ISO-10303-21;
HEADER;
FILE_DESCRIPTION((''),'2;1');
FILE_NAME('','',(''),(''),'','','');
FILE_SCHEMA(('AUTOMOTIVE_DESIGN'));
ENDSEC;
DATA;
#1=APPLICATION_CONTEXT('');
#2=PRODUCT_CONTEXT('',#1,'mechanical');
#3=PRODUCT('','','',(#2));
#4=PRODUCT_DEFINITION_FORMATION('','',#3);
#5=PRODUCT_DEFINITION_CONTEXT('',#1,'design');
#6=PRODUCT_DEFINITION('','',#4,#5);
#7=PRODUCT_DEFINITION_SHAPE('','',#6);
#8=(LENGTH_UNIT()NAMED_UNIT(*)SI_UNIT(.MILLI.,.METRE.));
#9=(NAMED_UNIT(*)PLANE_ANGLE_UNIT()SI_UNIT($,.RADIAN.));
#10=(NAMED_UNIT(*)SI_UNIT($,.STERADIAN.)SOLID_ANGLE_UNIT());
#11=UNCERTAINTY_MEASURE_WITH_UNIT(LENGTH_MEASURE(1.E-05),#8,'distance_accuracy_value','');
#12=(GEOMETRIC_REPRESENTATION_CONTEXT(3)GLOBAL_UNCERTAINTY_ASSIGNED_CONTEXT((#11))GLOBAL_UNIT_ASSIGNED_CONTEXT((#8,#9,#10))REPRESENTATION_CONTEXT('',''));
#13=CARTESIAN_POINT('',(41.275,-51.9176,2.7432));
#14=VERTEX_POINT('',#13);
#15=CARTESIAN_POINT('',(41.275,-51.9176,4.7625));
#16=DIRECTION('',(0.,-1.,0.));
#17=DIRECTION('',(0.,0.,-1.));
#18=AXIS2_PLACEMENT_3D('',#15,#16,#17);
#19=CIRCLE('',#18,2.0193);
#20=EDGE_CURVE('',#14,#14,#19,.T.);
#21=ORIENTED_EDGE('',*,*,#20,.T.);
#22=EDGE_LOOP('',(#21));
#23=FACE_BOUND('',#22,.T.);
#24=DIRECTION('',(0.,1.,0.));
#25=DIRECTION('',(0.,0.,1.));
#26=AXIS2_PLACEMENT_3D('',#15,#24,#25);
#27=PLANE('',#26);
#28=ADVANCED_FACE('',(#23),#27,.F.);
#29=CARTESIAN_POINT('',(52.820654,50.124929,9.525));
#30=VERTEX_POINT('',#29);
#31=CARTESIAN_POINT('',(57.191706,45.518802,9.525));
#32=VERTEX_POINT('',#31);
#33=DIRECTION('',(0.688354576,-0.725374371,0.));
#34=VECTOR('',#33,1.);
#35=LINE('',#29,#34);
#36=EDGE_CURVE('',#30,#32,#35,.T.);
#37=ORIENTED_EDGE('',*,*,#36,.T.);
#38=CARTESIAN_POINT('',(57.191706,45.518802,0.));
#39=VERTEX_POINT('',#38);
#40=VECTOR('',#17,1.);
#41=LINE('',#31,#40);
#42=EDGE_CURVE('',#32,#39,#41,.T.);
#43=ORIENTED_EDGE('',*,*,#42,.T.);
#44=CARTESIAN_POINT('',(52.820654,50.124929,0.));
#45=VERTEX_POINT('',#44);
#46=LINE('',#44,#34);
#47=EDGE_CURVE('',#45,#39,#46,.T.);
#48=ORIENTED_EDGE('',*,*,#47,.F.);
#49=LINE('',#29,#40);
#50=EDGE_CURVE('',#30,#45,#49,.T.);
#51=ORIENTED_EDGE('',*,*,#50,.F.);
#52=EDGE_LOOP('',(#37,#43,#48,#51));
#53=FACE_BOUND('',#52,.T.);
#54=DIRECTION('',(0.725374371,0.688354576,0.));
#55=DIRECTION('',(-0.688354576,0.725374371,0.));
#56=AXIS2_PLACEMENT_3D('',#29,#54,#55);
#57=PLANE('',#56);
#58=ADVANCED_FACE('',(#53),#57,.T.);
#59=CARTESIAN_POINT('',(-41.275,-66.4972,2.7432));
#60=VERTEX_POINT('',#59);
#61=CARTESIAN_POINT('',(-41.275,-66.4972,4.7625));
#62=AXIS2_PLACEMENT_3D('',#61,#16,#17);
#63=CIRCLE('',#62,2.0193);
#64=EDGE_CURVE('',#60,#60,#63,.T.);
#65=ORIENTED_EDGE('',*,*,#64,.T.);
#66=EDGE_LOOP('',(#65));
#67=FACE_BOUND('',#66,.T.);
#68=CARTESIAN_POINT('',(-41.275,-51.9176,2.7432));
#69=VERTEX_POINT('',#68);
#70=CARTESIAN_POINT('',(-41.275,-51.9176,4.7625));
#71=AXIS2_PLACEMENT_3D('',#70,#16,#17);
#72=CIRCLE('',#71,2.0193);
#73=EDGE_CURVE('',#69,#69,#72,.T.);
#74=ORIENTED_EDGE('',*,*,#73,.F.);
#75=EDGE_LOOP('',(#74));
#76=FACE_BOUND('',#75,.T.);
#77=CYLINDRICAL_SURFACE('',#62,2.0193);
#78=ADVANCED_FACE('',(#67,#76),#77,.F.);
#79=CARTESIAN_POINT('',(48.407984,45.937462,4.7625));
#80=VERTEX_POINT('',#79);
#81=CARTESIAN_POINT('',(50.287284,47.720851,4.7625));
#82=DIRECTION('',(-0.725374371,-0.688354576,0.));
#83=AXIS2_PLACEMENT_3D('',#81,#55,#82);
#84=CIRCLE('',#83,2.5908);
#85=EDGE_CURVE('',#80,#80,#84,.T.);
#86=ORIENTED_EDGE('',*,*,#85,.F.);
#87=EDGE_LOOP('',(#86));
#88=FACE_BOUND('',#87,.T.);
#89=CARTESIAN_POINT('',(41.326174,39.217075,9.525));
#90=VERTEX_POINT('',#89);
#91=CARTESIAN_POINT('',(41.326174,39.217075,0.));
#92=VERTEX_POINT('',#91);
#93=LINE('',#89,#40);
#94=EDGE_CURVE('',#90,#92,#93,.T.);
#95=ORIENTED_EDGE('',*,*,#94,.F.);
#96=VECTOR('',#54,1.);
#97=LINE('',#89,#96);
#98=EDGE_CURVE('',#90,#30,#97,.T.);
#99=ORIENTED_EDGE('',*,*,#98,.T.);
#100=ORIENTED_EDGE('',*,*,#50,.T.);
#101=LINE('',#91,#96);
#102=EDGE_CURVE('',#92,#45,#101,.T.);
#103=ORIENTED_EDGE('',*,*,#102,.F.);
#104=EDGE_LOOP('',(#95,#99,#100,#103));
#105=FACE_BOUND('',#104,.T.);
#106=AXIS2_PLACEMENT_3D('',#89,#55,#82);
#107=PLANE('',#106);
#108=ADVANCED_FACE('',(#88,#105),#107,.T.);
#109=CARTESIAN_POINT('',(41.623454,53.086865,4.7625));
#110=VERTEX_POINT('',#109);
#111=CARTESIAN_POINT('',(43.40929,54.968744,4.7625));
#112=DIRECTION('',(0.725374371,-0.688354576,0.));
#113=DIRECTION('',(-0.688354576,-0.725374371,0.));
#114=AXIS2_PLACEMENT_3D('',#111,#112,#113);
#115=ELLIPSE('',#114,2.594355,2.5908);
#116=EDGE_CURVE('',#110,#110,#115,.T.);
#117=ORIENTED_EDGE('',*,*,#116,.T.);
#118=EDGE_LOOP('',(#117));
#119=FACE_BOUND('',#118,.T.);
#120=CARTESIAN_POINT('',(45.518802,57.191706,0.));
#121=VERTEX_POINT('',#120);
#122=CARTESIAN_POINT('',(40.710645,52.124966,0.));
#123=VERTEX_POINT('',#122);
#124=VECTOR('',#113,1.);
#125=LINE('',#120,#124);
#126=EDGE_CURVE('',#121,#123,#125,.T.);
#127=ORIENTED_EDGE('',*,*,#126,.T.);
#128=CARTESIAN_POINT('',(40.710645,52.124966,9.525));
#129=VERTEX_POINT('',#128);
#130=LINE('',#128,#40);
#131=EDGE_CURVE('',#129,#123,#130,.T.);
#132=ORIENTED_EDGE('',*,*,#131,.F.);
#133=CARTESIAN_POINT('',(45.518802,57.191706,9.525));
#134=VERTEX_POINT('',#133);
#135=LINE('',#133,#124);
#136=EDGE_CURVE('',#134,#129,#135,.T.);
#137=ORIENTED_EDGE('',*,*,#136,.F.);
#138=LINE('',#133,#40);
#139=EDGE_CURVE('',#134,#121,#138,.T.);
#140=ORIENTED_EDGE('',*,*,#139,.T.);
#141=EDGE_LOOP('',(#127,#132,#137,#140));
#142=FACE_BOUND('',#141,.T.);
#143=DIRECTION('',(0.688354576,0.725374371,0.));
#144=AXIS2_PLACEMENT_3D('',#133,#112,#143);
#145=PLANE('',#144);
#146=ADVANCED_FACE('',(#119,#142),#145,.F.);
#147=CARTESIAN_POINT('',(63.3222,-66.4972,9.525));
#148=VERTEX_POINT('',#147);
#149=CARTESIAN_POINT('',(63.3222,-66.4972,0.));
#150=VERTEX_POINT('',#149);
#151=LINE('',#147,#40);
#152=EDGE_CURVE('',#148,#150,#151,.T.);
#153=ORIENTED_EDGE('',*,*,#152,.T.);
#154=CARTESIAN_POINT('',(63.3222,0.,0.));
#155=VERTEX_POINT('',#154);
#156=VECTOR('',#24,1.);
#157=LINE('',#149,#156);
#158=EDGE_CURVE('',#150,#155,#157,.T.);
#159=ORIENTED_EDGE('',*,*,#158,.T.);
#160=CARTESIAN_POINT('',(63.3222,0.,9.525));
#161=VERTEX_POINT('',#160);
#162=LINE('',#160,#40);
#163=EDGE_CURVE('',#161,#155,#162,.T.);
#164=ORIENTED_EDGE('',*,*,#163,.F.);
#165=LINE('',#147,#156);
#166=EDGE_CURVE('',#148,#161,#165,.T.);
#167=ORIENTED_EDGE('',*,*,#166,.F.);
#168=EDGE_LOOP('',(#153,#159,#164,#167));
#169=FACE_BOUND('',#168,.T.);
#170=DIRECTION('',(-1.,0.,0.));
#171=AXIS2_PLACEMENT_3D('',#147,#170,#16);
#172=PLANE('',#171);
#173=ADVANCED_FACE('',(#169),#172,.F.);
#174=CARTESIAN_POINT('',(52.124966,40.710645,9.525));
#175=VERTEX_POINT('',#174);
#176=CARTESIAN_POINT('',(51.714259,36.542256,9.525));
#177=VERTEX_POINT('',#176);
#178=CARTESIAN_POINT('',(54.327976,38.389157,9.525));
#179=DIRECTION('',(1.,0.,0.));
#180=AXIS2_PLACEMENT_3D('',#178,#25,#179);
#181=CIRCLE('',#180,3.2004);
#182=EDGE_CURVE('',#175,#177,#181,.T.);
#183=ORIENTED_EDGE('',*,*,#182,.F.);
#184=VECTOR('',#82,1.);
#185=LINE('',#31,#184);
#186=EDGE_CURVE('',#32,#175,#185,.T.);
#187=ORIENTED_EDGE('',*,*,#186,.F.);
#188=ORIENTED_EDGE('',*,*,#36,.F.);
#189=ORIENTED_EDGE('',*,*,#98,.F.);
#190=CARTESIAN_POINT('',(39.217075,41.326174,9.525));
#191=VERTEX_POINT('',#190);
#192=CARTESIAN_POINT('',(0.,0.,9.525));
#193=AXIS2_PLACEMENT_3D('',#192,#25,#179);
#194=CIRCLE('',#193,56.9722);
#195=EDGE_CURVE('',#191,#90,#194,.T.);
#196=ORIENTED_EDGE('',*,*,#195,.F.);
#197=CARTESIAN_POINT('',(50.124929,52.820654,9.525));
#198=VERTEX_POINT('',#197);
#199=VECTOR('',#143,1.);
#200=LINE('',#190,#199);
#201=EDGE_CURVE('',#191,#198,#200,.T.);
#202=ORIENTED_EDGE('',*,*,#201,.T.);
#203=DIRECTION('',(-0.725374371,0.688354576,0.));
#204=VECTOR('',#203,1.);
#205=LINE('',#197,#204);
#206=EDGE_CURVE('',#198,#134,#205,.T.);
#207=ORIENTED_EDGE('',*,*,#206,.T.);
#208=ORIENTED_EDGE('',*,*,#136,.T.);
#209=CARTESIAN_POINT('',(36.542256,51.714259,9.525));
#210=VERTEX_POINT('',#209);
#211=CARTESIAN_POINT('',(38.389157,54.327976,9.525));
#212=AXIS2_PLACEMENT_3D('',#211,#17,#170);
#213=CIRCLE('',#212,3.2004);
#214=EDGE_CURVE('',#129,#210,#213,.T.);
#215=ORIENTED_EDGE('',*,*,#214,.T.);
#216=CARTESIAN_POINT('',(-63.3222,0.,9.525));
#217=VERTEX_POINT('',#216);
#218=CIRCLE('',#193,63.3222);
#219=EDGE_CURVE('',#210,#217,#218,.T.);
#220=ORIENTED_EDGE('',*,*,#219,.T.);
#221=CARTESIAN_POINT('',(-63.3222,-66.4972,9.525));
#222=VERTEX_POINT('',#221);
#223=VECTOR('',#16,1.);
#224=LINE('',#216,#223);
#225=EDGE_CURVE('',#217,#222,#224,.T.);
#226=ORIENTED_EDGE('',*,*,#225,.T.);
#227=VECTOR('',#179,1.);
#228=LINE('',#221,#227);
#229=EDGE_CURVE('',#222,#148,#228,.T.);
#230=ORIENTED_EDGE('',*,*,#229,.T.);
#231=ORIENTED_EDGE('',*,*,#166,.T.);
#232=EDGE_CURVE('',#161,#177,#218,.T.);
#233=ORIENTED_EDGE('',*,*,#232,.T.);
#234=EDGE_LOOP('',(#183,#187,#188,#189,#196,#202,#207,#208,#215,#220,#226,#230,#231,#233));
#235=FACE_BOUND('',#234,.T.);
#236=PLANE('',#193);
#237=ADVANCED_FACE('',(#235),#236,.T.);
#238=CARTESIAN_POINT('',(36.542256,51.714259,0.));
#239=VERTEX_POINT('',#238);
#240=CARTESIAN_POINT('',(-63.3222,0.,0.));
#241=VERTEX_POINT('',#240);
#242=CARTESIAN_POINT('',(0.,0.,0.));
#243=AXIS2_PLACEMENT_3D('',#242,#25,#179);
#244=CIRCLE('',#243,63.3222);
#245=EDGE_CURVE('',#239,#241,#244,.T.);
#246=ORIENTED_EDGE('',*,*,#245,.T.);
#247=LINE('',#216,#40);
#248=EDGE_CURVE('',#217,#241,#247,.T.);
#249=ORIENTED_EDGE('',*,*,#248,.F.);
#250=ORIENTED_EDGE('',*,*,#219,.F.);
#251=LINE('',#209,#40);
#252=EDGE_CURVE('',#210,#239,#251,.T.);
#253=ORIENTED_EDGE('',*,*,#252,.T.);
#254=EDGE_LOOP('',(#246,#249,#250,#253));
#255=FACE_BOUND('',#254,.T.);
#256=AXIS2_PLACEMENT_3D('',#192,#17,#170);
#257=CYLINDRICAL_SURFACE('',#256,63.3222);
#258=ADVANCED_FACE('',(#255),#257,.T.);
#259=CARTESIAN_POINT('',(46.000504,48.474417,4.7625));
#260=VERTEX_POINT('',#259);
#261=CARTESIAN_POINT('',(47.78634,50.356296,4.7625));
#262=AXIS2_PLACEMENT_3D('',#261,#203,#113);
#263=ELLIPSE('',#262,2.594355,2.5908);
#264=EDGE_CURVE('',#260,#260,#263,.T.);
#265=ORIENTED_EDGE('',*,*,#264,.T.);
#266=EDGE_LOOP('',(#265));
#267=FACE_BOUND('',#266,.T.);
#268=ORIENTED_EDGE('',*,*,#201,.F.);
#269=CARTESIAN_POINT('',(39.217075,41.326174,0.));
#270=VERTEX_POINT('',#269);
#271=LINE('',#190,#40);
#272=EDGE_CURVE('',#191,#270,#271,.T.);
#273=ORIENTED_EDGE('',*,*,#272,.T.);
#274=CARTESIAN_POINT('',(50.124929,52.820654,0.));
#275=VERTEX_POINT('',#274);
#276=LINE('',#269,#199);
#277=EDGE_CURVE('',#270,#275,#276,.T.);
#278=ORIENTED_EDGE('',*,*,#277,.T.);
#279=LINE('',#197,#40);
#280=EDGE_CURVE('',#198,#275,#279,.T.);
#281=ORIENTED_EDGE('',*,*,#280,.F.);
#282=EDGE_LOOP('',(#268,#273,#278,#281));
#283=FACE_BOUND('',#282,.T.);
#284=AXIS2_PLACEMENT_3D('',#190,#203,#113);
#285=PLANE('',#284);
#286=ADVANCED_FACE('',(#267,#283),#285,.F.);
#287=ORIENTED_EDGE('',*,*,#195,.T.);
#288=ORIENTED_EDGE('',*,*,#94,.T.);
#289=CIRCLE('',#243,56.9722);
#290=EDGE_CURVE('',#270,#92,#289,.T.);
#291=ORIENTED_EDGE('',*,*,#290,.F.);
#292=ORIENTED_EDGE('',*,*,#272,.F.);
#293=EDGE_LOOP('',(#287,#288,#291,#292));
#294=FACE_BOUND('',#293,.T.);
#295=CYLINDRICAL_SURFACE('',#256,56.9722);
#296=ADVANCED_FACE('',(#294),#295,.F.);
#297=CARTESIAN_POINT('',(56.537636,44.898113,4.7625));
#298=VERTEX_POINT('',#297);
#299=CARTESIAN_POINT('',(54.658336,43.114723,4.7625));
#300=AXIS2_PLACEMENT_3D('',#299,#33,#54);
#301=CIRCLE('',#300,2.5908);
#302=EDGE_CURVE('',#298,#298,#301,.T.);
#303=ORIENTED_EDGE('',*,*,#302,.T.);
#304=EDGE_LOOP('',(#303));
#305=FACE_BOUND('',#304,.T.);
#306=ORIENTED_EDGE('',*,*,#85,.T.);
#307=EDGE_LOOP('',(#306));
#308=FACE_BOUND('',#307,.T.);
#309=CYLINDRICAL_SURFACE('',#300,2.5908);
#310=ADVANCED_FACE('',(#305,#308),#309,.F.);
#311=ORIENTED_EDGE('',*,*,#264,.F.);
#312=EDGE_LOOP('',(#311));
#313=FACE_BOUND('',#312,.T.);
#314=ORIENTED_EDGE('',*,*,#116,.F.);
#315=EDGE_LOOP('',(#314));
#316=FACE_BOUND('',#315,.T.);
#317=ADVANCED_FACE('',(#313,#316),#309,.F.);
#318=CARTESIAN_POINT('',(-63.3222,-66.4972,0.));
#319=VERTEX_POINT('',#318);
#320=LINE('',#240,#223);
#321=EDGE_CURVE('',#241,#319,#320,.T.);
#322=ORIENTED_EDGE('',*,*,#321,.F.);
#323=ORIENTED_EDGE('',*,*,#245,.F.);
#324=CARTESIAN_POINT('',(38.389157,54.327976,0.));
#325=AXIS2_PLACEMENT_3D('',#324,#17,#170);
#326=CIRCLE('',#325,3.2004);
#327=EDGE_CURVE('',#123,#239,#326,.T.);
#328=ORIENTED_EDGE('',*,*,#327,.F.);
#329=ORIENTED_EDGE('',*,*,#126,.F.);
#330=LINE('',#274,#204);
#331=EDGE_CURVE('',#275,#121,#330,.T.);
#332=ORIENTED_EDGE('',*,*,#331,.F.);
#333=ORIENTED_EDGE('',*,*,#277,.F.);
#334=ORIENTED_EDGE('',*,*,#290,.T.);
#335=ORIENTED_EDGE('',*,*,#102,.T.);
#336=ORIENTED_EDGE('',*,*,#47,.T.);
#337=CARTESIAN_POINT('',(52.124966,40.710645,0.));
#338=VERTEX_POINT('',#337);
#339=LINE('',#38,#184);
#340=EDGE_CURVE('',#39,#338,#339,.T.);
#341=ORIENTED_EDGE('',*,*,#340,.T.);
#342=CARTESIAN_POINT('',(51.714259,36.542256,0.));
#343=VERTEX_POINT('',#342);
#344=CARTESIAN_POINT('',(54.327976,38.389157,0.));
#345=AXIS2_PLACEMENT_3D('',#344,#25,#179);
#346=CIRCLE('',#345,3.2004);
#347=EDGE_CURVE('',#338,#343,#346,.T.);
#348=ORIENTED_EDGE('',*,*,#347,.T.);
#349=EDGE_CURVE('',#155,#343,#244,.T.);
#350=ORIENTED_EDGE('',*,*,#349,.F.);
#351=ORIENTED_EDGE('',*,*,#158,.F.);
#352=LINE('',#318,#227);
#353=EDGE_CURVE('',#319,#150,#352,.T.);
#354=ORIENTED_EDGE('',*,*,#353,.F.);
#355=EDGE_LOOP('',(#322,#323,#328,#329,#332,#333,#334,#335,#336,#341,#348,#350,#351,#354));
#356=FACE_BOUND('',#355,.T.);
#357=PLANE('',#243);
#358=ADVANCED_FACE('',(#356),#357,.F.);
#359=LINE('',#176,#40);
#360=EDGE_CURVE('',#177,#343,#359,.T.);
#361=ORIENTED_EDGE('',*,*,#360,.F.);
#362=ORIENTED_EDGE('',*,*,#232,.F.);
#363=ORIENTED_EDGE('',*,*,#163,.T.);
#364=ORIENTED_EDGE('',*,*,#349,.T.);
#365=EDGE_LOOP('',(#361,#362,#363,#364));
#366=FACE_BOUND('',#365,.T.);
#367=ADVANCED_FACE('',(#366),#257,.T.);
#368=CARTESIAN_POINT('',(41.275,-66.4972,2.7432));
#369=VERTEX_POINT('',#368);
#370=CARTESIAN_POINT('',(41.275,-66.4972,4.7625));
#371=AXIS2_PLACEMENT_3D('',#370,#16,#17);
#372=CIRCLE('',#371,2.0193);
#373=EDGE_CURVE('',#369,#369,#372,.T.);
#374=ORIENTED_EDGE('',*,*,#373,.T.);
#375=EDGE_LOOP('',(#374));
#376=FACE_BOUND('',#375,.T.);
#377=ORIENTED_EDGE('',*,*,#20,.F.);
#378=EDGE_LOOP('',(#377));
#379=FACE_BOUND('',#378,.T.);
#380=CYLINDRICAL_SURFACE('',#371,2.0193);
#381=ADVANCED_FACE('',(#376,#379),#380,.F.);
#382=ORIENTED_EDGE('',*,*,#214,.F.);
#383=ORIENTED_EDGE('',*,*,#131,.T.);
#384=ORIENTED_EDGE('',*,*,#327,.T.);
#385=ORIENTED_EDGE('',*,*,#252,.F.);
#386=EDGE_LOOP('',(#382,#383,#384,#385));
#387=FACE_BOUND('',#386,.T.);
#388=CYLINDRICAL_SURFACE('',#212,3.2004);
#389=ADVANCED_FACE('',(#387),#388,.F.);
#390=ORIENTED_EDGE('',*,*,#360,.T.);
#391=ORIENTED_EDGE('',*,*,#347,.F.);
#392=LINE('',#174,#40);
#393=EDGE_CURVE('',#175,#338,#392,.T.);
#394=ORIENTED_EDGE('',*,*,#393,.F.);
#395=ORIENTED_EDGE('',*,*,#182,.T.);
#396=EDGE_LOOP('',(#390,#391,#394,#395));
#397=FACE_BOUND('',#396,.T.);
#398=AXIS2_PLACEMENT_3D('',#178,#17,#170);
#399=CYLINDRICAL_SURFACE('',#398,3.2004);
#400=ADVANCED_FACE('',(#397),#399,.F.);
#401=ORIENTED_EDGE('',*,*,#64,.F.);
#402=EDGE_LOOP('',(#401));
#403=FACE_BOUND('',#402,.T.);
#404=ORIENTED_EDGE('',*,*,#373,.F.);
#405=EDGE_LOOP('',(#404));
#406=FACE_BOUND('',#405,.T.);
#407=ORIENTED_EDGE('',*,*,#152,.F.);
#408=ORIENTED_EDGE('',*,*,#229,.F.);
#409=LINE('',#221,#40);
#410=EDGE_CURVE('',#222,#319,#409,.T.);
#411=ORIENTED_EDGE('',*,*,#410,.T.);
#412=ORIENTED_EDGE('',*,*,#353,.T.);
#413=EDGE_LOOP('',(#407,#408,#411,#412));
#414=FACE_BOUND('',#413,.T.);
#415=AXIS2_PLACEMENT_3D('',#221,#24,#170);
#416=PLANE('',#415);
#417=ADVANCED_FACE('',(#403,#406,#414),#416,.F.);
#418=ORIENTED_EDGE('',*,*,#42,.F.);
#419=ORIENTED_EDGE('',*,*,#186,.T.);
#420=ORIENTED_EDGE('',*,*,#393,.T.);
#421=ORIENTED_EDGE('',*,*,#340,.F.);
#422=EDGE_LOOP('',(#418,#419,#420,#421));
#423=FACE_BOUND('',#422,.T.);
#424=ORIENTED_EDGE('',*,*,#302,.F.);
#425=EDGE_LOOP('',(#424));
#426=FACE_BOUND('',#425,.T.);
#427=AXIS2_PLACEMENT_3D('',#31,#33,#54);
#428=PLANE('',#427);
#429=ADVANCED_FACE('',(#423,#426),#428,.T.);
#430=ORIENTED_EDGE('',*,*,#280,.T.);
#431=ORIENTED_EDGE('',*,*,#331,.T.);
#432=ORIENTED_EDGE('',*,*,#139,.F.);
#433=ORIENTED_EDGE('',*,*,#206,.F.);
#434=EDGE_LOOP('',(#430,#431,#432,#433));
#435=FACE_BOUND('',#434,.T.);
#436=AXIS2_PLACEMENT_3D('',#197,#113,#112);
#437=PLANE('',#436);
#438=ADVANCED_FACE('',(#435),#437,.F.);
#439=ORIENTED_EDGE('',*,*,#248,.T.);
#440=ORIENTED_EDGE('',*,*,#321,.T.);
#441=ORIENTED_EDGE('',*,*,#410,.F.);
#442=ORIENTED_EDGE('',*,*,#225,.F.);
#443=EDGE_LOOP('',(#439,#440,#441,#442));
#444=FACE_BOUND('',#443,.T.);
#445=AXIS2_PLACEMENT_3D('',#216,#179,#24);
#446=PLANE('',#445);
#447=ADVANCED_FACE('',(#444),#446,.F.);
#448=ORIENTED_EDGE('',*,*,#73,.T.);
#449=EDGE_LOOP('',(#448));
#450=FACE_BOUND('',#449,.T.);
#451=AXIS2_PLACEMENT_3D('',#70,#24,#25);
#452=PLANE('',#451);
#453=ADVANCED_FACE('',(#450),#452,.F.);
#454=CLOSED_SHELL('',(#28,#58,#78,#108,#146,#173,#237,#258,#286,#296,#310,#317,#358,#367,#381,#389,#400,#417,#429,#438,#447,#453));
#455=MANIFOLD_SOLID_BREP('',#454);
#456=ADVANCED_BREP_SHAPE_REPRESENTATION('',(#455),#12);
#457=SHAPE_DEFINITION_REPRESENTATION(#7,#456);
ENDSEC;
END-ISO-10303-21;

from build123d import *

# Parameters (mm, degrees)
BOSS_EXTRUDE1_DEPTH        = 9.525
F_10_32_TAPPED_HOLE2_D     = 4.0386
F_10_32_TAPPED_HOLE2_DEPTH = 14.5796
F_6_0_204_DIAMETER_HOLE1_D = 5.1816


with BuildPart() as part:
    # Sketch1 → Boss-Extrude1 (new body)
    with BuildSketch(Plane.XY):
        with BuildLine():
            Line((-63.3222, 0), (-63.3222, -66.4972))
            Line((-63.3222, -66.4972), (63.3222, -66.4972))
            Line((63.3222, -66.4972), (63.3222, 0))
            ThreePointArc((63.3222, 0), (60.350483171, 19.170816203), (51.714258587, 36.542255974))
            ThreePointArc((51.714258587, 36.542255974), (51.142998099, 38.702969527), (52.124965643, 40.710645135))
            Line((52.124965643, 40.710645135), (57.191705625, 45.518801846))
            Line((57.191705625, 45.518801846), (52.820654069, 50.124929102))
            Line((52.820654069, 50.124929102), (41.32617374, 39.217074557))
            ThreePointArc((41.32617374, 39.217074557), (-40.285428959, -40.285428959), (39.217074557, 41.32617374))
            Line((39.217074557, 41.32617374), (50.124929102, 52.820654069))
            Line((50.124929102, 52.820654069), (45.518801846, 57.191705625))
            Line((45.518801846, 57.191705625), (40.710645135, 52.124965643))
            ThreePointArc((40.710645135, 52.124965643), (38.702969527, 51.142998099), (36.542255974, 51.714258587))
            ThreePointArc((36.542255974, 51.714258587), (-29.11842176, 56.230050036), (-63.3222, 0))
        make_face()
    extrude(amount=BOSS_EXTRUDE1_DEPTH)

    # #10-32 Tapped Hole2
    with Locations(Plane(origin=(0, -66.4972, 0), x_dir=(-1, 0, 0), z_dir=(0, -1, 0))):
        with Locations((-41.275, -4.7625), (41.275, -4.7625)):
            Hole(F_10_32_TAPPED_HOLE2_D / 2, depth=F_10_32_TAPPED_HOLE2_DEPTH)

    # #6 (0.204) Diameter Hole1 (through all)
    with Locations(Plane(origin=(54.658335634, 43.114723491, 4.7625), x_dir=(-0.725374371012, -0.688354575694, 0), z_dir=(0.688354575694, -0.725374371012, 0))):
        with Locations((0, 0)):
            Hole(F_6_0_204_DIAMETER_HOLE1_D / 2)


solid = part.part
